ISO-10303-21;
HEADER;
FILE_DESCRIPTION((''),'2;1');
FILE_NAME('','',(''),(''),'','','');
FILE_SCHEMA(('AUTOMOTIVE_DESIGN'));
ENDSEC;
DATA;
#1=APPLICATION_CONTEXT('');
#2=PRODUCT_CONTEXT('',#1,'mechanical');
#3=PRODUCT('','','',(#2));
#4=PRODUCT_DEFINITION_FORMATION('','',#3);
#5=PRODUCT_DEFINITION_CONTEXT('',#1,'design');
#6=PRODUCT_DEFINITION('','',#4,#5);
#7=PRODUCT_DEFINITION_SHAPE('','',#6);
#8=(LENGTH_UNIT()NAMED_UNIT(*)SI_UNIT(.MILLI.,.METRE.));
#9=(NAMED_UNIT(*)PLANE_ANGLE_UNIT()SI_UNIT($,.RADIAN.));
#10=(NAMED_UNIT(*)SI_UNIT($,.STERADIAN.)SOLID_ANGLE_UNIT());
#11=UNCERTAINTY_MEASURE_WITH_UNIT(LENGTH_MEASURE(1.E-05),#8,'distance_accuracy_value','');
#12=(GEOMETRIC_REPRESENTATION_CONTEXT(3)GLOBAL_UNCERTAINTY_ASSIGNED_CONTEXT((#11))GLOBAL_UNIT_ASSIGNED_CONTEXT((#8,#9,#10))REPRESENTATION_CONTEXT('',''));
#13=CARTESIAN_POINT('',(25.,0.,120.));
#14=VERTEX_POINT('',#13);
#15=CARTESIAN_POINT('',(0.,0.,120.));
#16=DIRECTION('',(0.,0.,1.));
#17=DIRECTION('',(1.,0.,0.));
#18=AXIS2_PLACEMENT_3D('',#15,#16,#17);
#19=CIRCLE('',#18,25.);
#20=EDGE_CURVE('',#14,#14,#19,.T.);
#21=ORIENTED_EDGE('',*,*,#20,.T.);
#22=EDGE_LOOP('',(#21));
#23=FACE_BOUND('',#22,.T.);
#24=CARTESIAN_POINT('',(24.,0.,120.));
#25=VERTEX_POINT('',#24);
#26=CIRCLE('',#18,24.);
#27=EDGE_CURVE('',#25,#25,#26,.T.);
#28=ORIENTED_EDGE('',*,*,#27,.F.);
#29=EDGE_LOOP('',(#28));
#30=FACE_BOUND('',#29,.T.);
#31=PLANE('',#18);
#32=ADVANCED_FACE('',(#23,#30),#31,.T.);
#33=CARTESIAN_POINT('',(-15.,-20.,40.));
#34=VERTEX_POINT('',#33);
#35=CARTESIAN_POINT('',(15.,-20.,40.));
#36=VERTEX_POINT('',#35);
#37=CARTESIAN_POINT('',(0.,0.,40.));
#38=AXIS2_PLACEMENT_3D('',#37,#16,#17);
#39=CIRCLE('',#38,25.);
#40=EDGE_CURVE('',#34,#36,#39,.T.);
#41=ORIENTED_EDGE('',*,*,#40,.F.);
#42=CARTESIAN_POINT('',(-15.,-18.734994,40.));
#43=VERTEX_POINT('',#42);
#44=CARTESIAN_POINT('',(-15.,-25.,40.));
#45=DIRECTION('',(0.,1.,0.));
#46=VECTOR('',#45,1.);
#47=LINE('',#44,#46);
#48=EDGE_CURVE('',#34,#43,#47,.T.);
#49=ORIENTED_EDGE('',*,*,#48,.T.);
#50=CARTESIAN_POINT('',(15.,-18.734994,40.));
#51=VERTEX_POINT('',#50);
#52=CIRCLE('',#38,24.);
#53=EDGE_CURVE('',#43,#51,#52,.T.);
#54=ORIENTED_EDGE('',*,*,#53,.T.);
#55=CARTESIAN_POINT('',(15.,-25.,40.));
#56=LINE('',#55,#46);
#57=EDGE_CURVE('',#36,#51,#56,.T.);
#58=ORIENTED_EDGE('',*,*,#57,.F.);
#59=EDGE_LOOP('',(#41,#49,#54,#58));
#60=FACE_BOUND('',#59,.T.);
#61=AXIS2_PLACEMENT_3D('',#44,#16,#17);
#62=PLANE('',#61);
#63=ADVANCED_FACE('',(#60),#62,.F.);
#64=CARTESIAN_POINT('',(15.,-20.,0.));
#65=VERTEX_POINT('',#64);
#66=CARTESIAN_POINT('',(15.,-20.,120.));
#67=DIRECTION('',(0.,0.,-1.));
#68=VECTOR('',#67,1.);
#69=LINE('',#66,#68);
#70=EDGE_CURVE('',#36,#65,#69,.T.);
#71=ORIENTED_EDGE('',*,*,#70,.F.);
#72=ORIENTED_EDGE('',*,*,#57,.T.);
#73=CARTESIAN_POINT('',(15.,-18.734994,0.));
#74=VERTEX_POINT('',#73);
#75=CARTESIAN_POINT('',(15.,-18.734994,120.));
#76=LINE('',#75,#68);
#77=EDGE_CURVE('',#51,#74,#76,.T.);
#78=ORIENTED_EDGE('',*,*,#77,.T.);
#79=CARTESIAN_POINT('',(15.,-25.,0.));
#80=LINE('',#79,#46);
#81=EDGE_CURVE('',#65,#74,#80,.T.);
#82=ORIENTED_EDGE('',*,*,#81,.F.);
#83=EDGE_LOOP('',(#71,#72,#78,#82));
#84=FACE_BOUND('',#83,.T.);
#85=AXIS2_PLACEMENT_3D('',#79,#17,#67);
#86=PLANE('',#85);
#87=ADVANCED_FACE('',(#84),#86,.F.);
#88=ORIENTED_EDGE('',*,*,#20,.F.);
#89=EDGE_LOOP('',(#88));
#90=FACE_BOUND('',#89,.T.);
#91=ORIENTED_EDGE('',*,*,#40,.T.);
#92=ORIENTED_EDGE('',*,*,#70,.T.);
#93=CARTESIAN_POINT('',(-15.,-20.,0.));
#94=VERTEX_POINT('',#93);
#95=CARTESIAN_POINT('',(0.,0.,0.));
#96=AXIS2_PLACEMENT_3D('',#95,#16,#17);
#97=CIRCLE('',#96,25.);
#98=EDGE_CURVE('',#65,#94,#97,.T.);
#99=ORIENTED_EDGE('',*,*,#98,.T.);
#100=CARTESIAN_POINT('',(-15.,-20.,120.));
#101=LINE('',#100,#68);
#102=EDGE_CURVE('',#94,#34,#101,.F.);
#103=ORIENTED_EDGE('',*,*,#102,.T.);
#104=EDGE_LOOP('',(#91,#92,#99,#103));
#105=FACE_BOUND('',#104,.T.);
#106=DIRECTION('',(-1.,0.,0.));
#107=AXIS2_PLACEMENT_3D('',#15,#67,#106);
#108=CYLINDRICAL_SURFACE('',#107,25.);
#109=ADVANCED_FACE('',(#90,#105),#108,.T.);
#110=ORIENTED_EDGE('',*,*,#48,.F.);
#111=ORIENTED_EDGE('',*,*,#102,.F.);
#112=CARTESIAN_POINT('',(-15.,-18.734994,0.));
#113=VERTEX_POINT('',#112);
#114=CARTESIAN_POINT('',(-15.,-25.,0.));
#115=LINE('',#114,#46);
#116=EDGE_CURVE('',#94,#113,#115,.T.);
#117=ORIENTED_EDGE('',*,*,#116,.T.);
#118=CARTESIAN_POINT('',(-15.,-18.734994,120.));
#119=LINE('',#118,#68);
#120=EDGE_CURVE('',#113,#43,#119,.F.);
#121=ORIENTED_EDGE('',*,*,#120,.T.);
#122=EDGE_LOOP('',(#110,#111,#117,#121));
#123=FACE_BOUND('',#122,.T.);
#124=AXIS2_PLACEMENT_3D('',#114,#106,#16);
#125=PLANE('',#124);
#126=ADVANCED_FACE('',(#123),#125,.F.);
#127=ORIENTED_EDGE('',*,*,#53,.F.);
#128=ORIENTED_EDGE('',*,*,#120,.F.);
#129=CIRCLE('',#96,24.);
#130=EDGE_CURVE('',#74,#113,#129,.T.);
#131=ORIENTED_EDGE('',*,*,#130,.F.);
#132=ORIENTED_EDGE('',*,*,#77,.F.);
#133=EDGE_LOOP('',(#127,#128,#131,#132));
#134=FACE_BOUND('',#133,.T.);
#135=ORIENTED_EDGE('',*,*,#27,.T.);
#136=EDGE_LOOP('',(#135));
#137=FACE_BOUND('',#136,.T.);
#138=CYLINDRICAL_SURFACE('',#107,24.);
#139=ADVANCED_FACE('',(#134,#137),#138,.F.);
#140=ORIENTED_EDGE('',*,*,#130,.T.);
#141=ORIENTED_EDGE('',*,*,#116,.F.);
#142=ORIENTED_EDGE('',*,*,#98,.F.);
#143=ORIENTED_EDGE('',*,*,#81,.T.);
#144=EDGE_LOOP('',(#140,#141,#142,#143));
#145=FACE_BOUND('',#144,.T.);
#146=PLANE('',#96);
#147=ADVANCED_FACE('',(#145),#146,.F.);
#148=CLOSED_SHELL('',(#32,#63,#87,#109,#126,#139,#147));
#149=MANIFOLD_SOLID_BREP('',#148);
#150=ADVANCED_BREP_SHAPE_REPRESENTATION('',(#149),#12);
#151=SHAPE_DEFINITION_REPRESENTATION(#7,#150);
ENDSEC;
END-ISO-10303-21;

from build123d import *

# Parameters (mm, degrees)
ESQUISSE1_R             = 25
ESQUISSE1_R_2           = 24
EXTRU_MINCE1_DEPTH      = 120
ESQUISSE2_W             = 30
ESQUISSE2_H             = 40
ENL_V_MAT_EXTRU_1_DEPTH = 126.099960032


with BuildPart() as part:
    # Esquisse1 → Extru.-Mince1 (new body)
    with BuildSketch(Plane.XY):
        Circle(ESQUISSE1_R)
        Circle(ESQUISSE1_R_2, mode=Mode.SUBTRACT)
    extrude(amount=EXTRU_MINCE1_DEPTH)

    # Esquisse2 → Enlèv. mat.-Extru.1 (cut, through all)
    with BuildSketch(Plane(origin=(0, 0, 0), x_dir=(1, 0, 0), z_dir=(0, 1, 0))):
        with Locations((0, -20)):
            Rectangle(ESQUISSE2_W, ESQUISSE2_H)
    extrude(amount=-ENL_V_MAT_EXTRU_1_DEPTH, mode=Mode.SUBTRACT)


solid = part.part
